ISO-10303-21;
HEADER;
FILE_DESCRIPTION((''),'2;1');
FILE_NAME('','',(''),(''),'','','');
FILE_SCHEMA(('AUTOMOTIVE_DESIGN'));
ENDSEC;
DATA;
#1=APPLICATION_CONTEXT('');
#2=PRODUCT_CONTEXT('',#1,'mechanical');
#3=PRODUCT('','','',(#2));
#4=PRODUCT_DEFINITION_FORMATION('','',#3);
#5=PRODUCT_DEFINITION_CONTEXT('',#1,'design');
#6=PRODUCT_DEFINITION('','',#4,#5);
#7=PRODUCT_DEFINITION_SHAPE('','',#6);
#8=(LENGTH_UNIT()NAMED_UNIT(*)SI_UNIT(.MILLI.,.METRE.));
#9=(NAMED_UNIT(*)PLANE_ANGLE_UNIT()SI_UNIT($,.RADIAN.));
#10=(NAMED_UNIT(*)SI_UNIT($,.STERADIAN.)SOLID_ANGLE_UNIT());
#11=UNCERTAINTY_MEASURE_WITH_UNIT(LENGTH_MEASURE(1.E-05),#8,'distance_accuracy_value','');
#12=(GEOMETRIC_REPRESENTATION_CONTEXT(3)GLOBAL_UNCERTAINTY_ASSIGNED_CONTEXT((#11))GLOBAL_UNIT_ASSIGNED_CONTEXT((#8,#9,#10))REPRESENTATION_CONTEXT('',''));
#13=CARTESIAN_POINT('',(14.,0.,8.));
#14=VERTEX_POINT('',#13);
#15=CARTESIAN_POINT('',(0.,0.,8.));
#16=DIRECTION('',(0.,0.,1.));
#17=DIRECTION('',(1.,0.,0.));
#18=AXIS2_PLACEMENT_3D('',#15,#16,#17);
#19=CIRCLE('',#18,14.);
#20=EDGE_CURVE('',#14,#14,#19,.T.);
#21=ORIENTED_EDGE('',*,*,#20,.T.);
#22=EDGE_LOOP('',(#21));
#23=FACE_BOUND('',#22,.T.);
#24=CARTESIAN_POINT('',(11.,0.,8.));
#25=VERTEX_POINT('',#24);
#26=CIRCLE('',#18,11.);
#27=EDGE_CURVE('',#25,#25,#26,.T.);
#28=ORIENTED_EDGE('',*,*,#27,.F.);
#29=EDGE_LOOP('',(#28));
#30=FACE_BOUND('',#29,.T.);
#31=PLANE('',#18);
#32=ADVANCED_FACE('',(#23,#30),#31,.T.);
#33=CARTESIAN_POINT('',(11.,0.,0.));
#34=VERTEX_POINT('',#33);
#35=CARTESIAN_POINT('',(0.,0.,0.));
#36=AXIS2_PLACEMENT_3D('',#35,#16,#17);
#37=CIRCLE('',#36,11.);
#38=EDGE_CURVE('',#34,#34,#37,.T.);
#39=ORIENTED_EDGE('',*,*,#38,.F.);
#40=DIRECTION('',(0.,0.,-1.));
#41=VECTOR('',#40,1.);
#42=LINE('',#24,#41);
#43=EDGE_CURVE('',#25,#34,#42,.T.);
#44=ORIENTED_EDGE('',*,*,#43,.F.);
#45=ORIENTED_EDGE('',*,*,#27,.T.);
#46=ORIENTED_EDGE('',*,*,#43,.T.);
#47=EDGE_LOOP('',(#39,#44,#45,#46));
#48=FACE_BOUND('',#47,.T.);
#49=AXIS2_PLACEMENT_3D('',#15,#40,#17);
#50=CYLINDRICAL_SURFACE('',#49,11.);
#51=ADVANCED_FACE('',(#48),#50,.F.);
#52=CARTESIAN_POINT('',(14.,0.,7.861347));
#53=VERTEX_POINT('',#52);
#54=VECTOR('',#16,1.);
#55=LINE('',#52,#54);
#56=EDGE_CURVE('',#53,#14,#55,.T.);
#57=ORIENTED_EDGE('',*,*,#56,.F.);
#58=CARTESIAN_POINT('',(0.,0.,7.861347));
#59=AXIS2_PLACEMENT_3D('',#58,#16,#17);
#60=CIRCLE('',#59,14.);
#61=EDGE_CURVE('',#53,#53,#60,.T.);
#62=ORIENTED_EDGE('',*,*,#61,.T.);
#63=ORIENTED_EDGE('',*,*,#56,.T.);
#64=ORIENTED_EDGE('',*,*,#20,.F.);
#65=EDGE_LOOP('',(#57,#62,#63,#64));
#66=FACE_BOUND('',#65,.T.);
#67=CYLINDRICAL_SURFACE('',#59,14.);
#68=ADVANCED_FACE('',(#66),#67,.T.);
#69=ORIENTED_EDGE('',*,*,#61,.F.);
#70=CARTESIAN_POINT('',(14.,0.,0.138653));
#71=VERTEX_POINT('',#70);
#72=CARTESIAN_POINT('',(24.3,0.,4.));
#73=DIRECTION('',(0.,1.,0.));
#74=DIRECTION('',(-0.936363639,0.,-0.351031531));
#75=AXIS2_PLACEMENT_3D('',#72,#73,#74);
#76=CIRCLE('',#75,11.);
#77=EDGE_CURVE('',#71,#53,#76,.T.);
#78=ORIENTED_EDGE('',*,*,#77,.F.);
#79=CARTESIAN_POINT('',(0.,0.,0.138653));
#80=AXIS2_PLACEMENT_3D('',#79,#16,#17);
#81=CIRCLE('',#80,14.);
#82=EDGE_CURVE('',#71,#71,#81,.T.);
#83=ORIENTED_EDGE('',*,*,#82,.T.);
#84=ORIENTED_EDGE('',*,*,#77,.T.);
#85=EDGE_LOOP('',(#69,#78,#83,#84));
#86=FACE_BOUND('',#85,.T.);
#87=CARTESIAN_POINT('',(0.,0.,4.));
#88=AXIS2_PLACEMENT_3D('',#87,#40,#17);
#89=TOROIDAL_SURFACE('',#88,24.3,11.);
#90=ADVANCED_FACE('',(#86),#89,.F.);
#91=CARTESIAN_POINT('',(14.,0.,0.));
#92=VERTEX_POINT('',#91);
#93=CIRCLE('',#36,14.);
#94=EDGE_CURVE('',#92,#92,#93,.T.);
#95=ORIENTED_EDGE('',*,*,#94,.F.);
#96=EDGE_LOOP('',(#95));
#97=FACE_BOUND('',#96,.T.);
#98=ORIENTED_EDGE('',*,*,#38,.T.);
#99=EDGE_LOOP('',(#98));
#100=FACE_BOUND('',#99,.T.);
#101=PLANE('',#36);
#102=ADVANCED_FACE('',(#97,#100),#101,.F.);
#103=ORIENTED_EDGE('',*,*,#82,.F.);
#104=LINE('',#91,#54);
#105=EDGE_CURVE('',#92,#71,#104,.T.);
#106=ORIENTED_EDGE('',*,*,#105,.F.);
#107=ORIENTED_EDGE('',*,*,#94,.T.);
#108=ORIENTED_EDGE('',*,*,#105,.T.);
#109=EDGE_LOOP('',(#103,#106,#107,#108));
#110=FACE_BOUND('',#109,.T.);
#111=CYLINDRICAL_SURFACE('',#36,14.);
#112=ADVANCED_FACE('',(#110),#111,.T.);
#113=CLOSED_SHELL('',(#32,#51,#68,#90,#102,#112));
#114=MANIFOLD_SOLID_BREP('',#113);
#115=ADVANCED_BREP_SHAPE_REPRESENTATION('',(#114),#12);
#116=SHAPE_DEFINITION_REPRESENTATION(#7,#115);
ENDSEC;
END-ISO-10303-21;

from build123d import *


with BuildPart() as f1:
    # F0 (on Front) → F1 (revolve)
    with BuildSketch(Plane.XZ):
        with BuildLine():
            Line((11, 8), (11, 0))
            Line((11, 0), (14, 0))
            Line((14, 0), (14, 0.138653))
            ThreePointArc((14, 0.138653), (13.3, 4), (14, 7.861347))
            Line((14, 7.861347), (14, 8))
            Line((14, 8), (11, 8))
        make_face()
    revolve(axis=Axis((0, 0, 8.4945), (0, 0, 1)))


solid = f1.part
